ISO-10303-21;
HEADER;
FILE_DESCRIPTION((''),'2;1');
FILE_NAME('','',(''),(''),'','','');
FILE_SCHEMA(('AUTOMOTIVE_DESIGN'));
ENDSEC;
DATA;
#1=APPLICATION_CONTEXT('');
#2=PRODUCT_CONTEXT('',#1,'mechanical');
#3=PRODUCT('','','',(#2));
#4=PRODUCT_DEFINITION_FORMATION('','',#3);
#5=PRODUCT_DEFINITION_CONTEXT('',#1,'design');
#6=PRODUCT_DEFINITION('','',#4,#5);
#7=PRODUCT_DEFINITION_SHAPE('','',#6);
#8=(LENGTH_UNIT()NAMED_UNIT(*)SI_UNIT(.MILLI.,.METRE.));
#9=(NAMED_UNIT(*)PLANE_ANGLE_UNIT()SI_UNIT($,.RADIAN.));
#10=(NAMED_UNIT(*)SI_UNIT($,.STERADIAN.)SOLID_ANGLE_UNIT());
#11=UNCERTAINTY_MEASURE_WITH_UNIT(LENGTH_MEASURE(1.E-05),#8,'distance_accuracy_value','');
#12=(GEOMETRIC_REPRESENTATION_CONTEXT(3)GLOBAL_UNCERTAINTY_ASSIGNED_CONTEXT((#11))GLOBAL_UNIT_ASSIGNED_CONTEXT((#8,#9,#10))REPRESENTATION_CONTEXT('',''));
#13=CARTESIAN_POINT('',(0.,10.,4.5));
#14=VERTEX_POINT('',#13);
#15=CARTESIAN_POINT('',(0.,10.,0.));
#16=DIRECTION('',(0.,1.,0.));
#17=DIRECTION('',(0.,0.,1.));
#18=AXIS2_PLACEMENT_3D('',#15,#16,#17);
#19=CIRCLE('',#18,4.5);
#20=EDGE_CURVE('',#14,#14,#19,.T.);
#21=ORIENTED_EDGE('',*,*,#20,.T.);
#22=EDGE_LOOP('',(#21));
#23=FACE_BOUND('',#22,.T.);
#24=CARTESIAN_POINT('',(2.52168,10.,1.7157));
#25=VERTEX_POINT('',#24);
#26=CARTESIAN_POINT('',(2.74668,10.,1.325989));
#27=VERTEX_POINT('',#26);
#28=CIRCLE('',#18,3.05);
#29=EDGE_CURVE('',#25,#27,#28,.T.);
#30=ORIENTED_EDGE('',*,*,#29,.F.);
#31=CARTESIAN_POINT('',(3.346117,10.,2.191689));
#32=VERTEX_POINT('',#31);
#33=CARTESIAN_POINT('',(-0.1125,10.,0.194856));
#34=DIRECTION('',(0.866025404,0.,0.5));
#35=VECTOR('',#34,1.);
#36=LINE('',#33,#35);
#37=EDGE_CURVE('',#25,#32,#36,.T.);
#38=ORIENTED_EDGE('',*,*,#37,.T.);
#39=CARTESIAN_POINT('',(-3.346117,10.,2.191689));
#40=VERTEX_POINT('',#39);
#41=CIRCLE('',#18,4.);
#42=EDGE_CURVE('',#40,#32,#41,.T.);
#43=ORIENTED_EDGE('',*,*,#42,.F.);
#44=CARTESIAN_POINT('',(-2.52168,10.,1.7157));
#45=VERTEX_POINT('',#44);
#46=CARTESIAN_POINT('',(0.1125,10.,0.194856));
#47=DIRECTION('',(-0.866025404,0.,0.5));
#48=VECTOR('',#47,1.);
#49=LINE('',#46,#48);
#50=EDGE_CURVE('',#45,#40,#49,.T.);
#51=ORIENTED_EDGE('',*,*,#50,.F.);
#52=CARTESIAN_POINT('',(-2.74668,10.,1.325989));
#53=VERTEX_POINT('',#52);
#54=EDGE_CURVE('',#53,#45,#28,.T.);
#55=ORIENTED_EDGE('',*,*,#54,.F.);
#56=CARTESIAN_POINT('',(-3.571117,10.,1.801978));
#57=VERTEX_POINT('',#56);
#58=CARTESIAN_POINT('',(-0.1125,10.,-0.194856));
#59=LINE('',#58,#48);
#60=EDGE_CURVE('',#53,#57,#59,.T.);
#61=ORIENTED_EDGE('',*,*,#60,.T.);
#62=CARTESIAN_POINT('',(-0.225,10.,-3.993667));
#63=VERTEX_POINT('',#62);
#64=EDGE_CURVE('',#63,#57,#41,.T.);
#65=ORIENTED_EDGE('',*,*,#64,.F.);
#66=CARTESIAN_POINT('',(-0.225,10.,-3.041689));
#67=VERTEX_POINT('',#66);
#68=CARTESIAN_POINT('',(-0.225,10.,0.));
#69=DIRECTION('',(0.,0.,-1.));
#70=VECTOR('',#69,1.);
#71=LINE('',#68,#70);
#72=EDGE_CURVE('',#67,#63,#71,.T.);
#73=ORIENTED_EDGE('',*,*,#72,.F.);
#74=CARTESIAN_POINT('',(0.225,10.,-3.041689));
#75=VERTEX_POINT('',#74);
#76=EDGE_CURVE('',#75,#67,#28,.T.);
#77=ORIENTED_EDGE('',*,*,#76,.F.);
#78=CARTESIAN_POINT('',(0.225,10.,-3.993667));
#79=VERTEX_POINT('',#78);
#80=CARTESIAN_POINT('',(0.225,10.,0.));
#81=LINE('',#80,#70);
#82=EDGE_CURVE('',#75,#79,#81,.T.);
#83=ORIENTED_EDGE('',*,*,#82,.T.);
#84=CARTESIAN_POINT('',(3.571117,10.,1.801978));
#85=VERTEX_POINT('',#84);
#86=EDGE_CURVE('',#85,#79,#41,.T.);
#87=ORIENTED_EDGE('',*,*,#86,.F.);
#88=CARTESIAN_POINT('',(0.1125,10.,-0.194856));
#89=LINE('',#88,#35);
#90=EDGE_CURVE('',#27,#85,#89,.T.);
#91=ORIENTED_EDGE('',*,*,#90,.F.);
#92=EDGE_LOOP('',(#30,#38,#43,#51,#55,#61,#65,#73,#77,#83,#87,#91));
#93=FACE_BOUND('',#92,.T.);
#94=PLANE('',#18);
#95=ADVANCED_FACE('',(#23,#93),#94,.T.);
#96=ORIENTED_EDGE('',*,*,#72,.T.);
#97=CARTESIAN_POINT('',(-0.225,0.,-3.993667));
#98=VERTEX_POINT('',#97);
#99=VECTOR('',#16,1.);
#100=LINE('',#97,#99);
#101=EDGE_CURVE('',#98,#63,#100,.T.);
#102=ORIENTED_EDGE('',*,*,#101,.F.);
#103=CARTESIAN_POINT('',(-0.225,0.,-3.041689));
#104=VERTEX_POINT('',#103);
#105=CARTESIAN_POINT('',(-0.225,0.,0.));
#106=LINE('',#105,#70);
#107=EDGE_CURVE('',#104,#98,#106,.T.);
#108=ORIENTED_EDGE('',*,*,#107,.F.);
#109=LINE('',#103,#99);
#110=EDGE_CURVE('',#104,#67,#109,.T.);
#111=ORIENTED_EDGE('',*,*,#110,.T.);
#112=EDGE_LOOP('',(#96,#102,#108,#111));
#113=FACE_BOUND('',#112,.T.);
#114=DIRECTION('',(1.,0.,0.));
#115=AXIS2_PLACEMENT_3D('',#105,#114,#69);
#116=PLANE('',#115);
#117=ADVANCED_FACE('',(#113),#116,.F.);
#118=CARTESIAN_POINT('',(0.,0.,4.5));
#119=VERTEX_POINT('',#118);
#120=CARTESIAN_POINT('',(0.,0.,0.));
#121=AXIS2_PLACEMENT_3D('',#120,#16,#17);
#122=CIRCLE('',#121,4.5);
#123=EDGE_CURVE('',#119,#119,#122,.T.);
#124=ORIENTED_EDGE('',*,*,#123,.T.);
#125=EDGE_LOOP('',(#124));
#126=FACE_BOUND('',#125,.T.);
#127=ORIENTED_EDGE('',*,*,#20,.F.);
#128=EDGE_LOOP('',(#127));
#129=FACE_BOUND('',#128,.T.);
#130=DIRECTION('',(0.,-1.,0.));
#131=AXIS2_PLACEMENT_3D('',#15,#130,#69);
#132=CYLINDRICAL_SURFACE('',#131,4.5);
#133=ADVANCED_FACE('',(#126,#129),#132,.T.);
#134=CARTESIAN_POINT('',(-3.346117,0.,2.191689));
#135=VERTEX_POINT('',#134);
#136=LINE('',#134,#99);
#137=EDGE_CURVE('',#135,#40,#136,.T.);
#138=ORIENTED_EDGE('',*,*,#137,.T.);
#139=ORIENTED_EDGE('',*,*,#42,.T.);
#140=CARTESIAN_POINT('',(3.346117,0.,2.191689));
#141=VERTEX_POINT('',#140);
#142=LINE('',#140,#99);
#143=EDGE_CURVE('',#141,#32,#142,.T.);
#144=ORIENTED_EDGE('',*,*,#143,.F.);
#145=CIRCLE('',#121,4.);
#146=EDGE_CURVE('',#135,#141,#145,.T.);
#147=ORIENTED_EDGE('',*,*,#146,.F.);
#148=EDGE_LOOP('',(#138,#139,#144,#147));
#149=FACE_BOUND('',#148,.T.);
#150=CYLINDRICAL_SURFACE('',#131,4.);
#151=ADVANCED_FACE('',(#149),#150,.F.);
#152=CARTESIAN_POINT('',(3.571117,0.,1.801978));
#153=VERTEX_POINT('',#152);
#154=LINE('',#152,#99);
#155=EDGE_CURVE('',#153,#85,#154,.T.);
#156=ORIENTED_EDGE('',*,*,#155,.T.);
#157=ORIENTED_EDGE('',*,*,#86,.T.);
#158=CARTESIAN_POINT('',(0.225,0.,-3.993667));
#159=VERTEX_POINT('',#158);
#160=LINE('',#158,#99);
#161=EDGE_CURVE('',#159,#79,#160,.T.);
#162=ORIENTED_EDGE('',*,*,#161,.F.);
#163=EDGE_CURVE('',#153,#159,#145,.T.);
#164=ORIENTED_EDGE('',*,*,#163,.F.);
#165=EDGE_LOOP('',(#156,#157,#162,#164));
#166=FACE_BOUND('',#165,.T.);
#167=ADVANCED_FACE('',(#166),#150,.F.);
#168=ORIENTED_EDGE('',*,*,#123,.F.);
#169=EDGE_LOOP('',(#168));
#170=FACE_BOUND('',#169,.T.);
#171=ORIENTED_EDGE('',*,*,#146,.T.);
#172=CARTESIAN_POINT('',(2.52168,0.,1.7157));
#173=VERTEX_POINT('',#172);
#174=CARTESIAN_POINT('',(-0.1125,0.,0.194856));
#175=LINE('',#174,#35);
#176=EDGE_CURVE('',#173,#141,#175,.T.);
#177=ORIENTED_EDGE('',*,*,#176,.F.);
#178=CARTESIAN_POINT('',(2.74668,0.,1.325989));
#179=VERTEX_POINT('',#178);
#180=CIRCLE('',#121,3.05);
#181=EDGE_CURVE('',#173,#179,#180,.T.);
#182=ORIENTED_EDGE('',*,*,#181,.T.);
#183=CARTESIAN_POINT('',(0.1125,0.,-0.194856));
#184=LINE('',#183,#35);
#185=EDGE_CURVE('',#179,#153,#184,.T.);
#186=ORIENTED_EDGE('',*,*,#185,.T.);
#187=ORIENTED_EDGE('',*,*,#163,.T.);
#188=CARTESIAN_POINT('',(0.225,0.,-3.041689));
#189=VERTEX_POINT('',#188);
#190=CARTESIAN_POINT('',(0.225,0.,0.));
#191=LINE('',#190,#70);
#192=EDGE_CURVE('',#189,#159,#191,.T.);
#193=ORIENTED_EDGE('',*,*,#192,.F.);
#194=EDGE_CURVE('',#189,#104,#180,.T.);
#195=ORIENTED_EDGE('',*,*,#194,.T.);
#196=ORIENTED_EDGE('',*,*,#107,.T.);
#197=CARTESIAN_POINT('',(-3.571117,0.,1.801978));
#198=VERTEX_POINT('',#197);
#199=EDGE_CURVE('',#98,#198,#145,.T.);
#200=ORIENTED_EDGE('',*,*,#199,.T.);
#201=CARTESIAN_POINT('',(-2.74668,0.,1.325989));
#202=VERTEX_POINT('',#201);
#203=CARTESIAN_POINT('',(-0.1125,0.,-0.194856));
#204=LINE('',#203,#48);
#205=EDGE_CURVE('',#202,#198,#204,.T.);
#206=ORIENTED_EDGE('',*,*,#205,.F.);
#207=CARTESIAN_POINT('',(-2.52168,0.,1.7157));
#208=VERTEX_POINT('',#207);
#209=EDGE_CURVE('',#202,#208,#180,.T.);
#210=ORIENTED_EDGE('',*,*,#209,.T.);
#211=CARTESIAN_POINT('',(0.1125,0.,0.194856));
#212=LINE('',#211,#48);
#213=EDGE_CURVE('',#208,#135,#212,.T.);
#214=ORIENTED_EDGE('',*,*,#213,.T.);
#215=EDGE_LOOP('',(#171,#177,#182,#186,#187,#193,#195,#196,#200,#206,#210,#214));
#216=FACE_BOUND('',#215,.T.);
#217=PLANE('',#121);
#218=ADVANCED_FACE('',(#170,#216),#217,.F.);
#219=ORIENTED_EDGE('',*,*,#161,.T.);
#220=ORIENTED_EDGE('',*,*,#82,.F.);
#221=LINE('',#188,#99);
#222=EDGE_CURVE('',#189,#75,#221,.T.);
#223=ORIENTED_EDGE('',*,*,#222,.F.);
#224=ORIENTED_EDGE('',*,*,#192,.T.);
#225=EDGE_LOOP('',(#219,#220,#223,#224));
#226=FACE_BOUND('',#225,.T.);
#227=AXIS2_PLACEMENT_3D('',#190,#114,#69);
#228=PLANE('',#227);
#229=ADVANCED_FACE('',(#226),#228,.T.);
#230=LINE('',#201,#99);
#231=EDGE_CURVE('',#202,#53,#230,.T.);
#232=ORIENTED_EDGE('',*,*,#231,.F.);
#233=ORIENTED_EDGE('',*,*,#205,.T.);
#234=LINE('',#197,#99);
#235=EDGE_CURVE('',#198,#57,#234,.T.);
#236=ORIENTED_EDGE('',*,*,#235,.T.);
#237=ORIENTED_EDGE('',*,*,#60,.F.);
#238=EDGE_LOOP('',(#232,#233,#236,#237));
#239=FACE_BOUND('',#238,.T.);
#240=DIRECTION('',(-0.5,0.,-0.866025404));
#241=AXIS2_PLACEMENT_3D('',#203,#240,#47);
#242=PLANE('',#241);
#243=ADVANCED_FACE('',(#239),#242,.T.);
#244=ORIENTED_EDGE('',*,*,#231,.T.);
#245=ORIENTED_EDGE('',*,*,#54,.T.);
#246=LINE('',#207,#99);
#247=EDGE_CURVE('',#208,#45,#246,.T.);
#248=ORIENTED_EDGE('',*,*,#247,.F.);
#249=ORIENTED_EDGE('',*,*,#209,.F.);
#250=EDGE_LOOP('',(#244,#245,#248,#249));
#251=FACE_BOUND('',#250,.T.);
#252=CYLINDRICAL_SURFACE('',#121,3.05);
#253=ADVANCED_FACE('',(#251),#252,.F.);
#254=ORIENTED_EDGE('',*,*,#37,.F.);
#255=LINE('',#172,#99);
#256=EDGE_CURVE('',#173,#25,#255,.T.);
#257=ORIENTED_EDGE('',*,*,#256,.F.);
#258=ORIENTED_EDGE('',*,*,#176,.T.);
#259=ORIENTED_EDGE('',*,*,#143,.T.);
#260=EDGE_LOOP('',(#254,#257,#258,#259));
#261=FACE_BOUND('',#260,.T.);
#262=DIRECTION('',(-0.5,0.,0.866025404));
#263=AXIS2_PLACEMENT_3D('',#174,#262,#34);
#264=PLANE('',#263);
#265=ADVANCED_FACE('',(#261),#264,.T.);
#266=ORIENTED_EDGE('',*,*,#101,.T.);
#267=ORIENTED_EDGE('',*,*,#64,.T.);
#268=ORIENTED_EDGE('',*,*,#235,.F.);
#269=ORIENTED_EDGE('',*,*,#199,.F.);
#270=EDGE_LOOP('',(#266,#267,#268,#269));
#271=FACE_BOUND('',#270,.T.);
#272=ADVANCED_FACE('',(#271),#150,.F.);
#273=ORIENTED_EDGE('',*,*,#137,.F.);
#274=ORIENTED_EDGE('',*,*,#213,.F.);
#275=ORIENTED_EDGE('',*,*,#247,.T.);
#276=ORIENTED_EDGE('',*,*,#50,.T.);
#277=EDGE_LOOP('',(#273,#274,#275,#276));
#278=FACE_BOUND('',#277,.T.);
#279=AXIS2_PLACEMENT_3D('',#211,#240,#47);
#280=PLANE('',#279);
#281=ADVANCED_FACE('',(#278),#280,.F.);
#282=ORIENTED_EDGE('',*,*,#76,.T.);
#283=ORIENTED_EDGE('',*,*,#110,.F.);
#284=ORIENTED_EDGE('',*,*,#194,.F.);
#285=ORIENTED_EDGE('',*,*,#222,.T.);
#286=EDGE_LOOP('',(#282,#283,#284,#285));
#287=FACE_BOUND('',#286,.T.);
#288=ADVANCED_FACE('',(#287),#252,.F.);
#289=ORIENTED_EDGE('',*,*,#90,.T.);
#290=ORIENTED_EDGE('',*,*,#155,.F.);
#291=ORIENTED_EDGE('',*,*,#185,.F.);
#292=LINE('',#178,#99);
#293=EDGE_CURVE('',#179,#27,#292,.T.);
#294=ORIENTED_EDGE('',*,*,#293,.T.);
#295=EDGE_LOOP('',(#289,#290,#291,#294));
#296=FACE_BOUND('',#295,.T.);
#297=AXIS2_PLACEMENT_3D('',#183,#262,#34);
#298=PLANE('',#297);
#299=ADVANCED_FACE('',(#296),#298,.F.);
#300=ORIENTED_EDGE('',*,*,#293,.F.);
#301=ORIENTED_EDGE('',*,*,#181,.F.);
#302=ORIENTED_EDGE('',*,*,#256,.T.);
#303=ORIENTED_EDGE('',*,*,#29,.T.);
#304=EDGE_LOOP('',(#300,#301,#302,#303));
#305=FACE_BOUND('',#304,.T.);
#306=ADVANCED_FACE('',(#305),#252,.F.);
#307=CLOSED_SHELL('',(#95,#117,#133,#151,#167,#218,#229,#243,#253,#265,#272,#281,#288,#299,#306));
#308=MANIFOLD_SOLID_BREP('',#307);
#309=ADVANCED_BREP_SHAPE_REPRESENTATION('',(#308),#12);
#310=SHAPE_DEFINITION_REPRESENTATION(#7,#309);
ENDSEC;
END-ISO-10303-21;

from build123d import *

# Parameters (mm, degrees)
SKETCH1_R           = 4.5
SKETCH1_R_2         = 4
BOSS_EXTRUDE1_DEPTH = 10
BOSS_EXTRUDE2_START = -10
BOSS_EXTRUDE2_DEPTH = 10


with BuildPart() as part:
    # Sketch1 → Boss-Extrude1 (new body)
    with BuildSketch(Plane(origin=(0, 0, 0), x_dir=(1, 0, 0), z_dir=(0, 1, 0))):
        with Locations(Location((0, 0, 0), (0, 0, 270))):
            Circle(SKETCH1_R)
        with Locations(Location((0, 0, 0), (0, 0, 270))):
            Circle(SKETCH1_R_2, mode=Mode.SUBTRACT)
    extrude(amount=BOSS_EXTRUDE1_DEPTH)

    # Sketch2 → Boss-Extrude2 (add)
    with BuildSketch(Plane(origin=(0, 10, 0), x_dir=(1, 0, 0), z_dir=(0, 1, 0)).offset(BOSS_EXTRUDE2_START)):
        with BuildLine():
            ThreePointArc((-0.225, 3.041689498), (0, 3.05), (0.225, 3.041689498))
            Line((0.225, 3.041689498), (0.225, 3.993666861))
            ThreePointArc((0.225, 3.993666861), (0, 4), (-0.225, 3.993666861))
            Line((-0.225, 3.993666861), (-0.225, 3.041689498))
        make_face()
        with BuildLine():
            Line((3.571116956, -1.801977715), (2.746680375, -1.325989033))
            ThreePointArc((2.746680375, -1.325989033), (2.641377482, -1.525), (2.521680375, -1.715700465))
            Line((2.521680375, -1.715700465), (3.346116956, -2.191689147))
            ThreePointArc((3.346116956, -2.191689147), (3.464101615, -2), (3.571116956, -1.801977715))
        make_face()
        with BuildLine():
            Line((-3.346116956, -2.191689147), (-2.521680375, -1.715700465))
            ThreePointArc((-2.521680375, -1.715700465), (-2.641377482, -1.525), (-2.746680375, -1.325989033))
            Line((-2.746680375, -1.325989033), (-3.571116956, -1.801977715))
            ThreePointArc((-3.571116956, -1.801977715), (-3.464101615, -2), (-3.346116956, -2.191689147))
        make_face()
    extrude(amount=BOSS_EXTRUDE2_DEPTH)


solid = part.part
